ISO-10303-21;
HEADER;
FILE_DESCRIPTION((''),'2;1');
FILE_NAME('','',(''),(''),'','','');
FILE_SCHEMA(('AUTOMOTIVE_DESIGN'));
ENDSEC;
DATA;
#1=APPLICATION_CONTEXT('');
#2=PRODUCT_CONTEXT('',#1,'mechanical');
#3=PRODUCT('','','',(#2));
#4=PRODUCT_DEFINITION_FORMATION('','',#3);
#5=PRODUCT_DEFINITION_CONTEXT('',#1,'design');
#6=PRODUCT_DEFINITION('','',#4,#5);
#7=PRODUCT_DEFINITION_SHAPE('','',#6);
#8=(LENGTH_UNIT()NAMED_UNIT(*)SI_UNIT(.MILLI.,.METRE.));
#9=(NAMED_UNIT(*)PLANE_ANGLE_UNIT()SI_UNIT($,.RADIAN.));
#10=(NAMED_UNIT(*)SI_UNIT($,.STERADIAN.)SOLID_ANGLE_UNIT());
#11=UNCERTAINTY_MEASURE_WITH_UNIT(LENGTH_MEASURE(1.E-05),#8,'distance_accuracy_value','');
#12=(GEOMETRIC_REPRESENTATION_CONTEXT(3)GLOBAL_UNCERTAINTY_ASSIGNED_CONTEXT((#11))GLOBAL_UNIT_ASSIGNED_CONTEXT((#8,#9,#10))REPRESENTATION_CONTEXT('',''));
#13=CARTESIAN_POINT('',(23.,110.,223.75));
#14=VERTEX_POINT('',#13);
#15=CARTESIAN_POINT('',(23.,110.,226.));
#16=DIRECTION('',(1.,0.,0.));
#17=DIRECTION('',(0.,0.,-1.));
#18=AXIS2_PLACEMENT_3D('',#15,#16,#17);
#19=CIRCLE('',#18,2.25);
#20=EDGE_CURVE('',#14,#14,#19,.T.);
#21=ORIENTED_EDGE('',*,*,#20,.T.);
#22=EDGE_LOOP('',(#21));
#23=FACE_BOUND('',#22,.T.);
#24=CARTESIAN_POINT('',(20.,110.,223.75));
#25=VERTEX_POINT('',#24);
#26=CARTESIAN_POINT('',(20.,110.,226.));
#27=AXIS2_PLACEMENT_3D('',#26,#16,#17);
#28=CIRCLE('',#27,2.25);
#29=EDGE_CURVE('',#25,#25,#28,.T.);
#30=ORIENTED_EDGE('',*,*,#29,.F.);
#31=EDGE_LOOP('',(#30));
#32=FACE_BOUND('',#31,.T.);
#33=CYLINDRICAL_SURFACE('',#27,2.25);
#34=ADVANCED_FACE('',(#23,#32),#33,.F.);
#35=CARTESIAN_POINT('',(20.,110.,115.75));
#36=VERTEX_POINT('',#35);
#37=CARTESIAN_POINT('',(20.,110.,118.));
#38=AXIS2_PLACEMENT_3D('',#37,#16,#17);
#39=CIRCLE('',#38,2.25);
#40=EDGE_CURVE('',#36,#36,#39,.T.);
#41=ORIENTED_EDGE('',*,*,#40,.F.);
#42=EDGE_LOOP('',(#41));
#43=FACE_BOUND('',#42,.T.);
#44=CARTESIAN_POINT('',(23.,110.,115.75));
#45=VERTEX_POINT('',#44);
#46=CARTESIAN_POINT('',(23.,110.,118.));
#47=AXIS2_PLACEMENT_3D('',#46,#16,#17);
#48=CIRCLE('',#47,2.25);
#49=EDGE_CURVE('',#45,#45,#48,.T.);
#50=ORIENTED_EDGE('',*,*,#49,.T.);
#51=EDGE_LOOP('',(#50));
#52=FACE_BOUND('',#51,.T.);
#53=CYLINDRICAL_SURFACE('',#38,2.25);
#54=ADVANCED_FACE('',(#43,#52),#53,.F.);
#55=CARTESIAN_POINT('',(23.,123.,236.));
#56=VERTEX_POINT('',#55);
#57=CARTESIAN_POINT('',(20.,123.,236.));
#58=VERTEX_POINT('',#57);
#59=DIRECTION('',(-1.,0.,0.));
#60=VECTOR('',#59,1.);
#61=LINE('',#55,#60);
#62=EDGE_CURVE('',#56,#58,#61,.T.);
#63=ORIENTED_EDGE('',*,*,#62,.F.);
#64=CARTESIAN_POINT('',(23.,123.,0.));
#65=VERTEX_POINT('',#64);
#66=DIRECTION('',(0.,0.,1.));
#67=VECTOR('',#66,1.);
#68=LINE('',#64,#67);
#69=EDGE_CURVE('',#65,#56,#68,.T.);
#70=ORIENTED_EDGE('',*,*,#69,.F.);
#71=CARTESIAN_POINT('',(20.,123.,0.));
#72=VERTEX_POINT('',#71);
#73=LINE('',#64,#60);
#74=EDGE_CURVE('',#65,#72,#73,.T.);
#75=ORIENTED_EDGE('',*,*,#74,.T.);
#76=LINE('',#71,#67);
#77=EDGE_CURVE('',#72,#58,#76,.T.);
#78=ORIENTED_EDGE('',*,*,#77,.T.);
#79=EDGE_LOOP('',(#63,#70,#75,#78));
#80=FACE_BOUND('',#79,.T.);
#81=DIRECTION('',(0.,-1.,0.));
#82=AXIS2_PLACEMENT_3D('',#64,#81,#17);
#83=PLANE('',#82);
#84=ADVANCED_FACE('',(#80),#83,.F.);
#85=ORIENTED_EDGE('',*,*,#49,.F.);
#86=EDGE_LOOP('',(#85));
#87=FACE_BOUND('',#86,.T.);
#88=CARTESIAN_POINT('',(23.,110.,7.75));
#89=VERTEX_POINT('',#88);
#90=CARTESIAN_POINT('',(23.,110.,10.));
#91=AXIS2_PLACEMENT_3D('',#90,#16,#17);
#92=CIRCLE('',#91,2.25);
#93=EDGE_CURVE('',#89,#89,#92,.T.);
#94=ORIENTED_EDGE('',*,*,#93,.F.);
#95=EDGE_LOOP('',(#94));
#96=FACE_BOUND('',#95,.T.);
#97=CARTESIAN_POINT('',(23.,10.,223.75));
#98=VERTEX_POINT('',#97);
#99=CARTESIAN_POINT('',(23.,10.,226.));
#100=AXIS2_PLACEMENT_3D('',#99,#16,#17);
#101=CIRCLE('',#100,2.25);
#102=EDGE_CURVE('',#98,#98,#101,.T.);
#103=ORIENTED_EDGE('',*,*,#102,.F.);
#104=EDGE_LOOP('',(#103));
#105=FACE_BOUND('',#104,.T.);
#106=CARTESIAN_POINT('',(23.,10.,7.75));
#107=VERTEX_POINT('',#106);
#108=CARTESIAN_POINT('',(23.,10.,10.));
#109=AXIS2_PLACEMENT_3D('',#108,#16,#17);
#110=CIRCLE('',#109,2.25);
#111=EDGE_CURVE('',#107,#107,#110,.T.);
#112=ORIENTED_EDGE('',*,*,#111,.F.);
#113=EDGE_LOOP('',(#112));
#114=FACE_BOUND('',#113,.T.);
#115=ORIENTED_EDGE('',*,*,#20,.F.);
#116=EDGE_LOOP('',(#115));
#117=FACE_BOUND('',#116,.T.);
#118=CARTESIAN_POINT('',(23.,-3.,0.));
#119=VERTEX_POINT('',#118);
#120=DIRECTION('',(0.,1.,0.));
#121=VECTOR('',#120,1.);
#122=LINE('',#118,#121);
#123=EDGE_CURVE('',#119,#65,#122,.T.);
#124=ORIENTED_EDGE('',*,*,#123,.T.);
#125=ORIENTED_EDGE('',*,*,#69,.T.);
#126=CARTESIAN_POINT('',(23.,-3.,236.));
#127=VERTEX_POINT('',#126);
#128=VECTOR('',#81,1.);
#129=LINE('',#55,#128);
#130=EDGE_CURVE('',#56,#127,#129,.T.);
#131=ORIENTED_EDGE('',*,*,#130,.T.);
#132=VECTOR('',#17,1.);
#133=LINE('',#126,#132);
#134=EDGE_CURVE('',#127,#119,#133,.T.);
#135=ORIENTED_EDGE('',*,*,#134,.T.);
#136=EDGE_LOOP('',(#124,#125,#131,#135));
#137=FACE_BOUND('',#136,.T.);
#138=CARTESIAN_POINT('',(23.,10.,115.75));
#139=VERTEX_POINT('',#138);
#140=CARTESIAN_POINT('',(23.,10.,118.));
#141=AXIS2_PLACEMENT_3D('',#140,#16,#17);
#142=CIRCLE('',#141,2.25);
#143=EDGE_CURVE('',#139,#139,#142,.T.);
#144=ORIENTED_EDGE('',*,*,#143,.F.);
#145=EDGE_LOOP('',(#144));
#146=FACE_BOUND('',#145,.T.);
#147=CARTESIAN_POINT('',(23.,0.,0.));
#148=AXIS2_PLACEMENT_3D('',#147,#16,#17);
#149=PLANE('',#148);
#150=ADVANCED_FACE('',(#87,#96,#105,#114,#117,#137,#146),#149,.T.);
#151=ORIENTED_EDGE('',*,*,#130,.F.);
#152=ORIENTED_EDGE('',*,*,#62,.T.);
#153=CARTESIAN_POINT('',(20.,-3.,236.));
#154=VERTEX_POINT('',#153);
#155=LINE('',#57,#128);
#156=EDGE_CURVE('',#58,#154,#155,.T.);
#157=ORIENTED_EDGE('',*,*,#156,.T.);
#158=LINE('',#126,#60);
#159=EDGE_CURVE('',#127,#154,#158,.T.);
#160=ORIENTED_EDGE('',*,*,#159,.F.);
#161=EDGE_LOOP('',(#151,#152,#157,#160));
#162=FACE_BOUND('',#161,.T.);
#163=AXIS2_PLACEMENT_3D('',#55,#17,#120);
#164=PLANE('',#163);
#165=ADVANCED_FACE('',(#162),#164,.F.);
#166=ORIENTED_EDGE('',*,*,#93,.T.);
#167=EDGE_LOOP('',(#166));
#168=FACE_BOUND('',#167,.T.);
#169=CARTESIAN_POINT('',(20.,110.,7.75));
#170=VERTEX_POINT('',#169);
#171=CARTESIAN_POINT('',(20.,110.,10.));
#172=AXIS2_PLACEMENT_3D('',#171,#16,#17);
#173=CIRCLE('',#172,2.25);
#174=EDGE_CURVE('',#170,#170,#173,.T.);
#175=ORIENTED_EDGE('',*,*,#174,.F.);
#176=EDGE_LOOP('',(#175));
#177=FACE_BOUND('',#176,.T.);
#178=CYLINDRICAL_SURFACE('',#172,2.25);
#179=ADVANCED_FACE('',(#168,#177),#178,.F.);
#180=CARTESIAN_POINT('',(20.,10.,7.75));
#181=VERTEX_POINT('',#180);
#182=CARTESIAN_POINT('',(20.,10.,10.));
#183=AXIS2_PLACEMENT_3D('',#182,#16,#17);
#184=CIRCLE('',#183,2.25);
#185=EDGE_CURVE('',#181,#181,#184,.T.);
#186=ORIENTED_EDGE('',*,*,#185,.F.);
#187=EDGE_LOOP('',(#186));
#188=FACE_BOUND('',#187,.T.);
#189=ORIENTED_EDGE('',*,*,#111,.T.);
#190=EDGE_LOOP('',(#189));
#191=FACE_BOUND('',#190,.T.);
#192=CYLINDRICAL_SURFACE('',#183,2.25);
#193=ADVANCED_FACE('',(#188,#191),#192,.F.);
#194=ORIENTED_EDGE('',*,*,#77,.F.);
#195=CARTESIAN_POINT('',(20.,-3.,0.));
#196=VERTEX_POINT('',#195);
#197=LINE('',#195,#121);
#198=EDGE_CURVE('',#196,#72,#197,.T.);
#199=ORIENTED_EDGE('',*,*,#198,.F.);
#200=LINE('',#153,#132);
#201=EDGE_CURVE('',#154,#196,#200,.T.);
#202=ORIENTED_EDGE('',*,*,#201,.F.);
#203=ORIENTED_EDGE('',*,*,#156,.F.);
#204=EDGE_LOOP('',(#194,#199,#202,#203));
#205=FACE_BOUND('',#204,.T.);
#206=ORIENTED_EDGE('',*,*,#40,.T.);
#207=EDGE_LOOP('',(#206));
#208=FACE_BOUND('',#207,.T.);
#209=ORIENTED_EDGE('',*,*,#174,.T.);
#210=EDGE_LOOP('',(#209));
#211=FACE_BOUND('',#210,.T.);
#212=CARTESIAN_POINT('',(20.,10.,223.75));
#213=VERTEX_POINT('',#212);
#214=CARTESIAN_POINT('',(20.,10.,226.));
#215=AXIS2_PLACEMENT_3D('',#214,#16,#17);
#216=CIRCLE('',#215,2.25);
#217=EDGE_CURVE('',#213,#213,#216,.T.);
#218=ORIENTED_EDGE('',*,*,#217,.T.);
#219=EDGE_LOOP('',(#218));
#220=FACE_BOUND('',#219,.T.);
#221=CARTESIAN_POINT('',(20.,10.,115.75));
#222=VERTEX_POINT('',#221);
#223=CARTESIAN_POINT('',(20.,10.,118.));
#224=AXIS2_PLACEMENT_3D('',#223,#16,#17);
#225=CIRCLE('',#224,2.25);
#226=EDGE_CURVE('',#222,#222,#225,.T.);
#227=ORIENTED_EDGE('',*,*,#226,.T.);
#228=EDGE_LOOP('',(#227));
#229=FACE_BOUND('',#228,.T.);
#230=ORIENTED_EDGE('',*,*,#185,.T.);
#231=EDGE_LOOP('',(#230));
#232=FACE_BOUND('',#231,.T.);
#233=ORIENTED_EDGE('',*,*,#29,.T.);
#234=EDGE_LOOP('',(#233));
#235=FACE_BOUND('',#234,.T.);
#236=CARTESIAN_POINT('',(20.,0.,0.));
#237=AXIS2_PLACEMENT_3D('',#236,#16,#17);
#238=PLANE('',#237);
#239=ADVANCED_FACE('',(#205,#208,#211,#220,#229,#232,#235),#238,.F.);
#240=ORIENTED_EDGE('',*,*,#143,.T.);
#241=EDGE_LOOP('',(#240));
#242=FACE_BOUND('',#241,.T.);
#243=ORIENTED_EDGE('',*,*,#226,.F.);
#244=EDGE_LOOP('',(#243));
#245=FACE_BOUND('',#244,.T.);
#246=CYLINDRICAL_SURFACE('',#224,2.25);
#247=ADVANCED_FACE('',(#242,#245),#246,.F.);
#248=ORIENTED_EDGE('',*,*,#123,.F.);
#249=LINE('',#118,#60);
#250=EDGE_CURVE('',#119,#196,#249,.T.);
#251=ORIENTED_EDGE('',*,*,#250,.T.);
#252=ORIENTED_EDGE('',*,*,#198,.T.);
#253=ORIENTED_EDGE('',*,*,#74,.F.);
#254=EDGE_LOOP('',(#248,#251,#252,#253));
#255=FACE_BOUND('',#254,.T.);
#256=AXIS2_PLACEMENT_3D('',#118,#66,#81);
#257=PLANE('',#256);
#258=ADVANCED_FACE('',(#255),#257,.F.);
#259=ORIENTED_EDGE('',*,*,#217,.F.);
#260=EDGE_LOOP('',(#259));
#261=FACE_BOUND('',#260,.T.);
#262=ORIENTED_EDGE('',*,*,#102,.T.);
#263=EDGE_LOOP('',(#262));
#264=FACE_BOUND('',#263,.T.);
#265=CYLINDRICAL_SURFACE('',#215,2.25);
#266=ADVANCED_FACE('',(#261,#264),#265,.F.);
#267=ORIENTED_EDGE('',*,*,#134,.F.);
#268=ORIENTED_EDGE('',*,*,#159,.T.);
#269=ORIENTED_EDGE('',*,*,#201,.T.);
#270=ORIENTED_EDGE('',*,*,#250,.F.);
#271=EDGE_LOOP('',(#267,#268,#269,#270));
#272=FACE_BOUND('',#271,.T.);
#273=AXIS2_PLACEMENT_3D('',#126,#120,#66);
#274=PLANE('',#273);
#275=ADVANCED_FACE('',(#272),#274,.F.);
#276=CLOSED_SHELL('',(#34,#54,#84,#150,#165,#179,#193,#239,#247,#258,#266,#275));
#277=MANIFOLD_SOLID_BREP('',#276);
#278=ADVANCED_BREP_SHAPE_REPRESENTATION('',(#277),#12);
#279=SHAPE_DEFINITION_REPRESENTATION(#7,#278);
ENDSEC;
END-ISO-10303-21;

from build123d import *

# Parameters (mm, degrees)
SKETCH_1_W          = 236
SKETCH_1_H          = 126
EXTRUDE_1_DEPTH     = 3
SKETCH_3_R          = 2.25
CUT_EXTRUDE_1_DEPTH = 4


with BuildPart() as part:
    # Эскиз1 → Бобышка-Вытянуть1 (new body)
    with BuildSketch(Plane(origin=(20, 0, 0), x_dir=(0, 0, -1), z_dir=(1, 0, 0))):
        with Locations((-118, 60)):
            Rectangle(SKETCH_1_W, SKETCH_1_H)
    extrude(amount=EXTRUDE_1_DEPTH)

    # Эскиз3 → Вырез-Вытянуть1 (cut, through all)
    with BuildSketch(Plane(origin=(23, 0, 0), x_dir=(0, 0, -1), z_dir=(1, 0, 0))):
        with Locations((-10, 110)):
            Circle(SKETCH_3_R)
        with Locations((-10, 10)):
            Circle(SKETCH_3_R)
        with Locations((-226, 110)):
            Circle(SKETCH_3_R)
        with Locations((-226, 10)):
            Circle(SKETCH_3_R)
        with Locations((-118, 110)):
            Circle(SKETCH_3_R)
        with Locations((-118, 10)):
            Circle(SKETCH_3_R)
    extrude(amount=-CUT_EXTRUDE_1_DEPTH, mode=Mode.SUBTRACT)


solid = part.part
